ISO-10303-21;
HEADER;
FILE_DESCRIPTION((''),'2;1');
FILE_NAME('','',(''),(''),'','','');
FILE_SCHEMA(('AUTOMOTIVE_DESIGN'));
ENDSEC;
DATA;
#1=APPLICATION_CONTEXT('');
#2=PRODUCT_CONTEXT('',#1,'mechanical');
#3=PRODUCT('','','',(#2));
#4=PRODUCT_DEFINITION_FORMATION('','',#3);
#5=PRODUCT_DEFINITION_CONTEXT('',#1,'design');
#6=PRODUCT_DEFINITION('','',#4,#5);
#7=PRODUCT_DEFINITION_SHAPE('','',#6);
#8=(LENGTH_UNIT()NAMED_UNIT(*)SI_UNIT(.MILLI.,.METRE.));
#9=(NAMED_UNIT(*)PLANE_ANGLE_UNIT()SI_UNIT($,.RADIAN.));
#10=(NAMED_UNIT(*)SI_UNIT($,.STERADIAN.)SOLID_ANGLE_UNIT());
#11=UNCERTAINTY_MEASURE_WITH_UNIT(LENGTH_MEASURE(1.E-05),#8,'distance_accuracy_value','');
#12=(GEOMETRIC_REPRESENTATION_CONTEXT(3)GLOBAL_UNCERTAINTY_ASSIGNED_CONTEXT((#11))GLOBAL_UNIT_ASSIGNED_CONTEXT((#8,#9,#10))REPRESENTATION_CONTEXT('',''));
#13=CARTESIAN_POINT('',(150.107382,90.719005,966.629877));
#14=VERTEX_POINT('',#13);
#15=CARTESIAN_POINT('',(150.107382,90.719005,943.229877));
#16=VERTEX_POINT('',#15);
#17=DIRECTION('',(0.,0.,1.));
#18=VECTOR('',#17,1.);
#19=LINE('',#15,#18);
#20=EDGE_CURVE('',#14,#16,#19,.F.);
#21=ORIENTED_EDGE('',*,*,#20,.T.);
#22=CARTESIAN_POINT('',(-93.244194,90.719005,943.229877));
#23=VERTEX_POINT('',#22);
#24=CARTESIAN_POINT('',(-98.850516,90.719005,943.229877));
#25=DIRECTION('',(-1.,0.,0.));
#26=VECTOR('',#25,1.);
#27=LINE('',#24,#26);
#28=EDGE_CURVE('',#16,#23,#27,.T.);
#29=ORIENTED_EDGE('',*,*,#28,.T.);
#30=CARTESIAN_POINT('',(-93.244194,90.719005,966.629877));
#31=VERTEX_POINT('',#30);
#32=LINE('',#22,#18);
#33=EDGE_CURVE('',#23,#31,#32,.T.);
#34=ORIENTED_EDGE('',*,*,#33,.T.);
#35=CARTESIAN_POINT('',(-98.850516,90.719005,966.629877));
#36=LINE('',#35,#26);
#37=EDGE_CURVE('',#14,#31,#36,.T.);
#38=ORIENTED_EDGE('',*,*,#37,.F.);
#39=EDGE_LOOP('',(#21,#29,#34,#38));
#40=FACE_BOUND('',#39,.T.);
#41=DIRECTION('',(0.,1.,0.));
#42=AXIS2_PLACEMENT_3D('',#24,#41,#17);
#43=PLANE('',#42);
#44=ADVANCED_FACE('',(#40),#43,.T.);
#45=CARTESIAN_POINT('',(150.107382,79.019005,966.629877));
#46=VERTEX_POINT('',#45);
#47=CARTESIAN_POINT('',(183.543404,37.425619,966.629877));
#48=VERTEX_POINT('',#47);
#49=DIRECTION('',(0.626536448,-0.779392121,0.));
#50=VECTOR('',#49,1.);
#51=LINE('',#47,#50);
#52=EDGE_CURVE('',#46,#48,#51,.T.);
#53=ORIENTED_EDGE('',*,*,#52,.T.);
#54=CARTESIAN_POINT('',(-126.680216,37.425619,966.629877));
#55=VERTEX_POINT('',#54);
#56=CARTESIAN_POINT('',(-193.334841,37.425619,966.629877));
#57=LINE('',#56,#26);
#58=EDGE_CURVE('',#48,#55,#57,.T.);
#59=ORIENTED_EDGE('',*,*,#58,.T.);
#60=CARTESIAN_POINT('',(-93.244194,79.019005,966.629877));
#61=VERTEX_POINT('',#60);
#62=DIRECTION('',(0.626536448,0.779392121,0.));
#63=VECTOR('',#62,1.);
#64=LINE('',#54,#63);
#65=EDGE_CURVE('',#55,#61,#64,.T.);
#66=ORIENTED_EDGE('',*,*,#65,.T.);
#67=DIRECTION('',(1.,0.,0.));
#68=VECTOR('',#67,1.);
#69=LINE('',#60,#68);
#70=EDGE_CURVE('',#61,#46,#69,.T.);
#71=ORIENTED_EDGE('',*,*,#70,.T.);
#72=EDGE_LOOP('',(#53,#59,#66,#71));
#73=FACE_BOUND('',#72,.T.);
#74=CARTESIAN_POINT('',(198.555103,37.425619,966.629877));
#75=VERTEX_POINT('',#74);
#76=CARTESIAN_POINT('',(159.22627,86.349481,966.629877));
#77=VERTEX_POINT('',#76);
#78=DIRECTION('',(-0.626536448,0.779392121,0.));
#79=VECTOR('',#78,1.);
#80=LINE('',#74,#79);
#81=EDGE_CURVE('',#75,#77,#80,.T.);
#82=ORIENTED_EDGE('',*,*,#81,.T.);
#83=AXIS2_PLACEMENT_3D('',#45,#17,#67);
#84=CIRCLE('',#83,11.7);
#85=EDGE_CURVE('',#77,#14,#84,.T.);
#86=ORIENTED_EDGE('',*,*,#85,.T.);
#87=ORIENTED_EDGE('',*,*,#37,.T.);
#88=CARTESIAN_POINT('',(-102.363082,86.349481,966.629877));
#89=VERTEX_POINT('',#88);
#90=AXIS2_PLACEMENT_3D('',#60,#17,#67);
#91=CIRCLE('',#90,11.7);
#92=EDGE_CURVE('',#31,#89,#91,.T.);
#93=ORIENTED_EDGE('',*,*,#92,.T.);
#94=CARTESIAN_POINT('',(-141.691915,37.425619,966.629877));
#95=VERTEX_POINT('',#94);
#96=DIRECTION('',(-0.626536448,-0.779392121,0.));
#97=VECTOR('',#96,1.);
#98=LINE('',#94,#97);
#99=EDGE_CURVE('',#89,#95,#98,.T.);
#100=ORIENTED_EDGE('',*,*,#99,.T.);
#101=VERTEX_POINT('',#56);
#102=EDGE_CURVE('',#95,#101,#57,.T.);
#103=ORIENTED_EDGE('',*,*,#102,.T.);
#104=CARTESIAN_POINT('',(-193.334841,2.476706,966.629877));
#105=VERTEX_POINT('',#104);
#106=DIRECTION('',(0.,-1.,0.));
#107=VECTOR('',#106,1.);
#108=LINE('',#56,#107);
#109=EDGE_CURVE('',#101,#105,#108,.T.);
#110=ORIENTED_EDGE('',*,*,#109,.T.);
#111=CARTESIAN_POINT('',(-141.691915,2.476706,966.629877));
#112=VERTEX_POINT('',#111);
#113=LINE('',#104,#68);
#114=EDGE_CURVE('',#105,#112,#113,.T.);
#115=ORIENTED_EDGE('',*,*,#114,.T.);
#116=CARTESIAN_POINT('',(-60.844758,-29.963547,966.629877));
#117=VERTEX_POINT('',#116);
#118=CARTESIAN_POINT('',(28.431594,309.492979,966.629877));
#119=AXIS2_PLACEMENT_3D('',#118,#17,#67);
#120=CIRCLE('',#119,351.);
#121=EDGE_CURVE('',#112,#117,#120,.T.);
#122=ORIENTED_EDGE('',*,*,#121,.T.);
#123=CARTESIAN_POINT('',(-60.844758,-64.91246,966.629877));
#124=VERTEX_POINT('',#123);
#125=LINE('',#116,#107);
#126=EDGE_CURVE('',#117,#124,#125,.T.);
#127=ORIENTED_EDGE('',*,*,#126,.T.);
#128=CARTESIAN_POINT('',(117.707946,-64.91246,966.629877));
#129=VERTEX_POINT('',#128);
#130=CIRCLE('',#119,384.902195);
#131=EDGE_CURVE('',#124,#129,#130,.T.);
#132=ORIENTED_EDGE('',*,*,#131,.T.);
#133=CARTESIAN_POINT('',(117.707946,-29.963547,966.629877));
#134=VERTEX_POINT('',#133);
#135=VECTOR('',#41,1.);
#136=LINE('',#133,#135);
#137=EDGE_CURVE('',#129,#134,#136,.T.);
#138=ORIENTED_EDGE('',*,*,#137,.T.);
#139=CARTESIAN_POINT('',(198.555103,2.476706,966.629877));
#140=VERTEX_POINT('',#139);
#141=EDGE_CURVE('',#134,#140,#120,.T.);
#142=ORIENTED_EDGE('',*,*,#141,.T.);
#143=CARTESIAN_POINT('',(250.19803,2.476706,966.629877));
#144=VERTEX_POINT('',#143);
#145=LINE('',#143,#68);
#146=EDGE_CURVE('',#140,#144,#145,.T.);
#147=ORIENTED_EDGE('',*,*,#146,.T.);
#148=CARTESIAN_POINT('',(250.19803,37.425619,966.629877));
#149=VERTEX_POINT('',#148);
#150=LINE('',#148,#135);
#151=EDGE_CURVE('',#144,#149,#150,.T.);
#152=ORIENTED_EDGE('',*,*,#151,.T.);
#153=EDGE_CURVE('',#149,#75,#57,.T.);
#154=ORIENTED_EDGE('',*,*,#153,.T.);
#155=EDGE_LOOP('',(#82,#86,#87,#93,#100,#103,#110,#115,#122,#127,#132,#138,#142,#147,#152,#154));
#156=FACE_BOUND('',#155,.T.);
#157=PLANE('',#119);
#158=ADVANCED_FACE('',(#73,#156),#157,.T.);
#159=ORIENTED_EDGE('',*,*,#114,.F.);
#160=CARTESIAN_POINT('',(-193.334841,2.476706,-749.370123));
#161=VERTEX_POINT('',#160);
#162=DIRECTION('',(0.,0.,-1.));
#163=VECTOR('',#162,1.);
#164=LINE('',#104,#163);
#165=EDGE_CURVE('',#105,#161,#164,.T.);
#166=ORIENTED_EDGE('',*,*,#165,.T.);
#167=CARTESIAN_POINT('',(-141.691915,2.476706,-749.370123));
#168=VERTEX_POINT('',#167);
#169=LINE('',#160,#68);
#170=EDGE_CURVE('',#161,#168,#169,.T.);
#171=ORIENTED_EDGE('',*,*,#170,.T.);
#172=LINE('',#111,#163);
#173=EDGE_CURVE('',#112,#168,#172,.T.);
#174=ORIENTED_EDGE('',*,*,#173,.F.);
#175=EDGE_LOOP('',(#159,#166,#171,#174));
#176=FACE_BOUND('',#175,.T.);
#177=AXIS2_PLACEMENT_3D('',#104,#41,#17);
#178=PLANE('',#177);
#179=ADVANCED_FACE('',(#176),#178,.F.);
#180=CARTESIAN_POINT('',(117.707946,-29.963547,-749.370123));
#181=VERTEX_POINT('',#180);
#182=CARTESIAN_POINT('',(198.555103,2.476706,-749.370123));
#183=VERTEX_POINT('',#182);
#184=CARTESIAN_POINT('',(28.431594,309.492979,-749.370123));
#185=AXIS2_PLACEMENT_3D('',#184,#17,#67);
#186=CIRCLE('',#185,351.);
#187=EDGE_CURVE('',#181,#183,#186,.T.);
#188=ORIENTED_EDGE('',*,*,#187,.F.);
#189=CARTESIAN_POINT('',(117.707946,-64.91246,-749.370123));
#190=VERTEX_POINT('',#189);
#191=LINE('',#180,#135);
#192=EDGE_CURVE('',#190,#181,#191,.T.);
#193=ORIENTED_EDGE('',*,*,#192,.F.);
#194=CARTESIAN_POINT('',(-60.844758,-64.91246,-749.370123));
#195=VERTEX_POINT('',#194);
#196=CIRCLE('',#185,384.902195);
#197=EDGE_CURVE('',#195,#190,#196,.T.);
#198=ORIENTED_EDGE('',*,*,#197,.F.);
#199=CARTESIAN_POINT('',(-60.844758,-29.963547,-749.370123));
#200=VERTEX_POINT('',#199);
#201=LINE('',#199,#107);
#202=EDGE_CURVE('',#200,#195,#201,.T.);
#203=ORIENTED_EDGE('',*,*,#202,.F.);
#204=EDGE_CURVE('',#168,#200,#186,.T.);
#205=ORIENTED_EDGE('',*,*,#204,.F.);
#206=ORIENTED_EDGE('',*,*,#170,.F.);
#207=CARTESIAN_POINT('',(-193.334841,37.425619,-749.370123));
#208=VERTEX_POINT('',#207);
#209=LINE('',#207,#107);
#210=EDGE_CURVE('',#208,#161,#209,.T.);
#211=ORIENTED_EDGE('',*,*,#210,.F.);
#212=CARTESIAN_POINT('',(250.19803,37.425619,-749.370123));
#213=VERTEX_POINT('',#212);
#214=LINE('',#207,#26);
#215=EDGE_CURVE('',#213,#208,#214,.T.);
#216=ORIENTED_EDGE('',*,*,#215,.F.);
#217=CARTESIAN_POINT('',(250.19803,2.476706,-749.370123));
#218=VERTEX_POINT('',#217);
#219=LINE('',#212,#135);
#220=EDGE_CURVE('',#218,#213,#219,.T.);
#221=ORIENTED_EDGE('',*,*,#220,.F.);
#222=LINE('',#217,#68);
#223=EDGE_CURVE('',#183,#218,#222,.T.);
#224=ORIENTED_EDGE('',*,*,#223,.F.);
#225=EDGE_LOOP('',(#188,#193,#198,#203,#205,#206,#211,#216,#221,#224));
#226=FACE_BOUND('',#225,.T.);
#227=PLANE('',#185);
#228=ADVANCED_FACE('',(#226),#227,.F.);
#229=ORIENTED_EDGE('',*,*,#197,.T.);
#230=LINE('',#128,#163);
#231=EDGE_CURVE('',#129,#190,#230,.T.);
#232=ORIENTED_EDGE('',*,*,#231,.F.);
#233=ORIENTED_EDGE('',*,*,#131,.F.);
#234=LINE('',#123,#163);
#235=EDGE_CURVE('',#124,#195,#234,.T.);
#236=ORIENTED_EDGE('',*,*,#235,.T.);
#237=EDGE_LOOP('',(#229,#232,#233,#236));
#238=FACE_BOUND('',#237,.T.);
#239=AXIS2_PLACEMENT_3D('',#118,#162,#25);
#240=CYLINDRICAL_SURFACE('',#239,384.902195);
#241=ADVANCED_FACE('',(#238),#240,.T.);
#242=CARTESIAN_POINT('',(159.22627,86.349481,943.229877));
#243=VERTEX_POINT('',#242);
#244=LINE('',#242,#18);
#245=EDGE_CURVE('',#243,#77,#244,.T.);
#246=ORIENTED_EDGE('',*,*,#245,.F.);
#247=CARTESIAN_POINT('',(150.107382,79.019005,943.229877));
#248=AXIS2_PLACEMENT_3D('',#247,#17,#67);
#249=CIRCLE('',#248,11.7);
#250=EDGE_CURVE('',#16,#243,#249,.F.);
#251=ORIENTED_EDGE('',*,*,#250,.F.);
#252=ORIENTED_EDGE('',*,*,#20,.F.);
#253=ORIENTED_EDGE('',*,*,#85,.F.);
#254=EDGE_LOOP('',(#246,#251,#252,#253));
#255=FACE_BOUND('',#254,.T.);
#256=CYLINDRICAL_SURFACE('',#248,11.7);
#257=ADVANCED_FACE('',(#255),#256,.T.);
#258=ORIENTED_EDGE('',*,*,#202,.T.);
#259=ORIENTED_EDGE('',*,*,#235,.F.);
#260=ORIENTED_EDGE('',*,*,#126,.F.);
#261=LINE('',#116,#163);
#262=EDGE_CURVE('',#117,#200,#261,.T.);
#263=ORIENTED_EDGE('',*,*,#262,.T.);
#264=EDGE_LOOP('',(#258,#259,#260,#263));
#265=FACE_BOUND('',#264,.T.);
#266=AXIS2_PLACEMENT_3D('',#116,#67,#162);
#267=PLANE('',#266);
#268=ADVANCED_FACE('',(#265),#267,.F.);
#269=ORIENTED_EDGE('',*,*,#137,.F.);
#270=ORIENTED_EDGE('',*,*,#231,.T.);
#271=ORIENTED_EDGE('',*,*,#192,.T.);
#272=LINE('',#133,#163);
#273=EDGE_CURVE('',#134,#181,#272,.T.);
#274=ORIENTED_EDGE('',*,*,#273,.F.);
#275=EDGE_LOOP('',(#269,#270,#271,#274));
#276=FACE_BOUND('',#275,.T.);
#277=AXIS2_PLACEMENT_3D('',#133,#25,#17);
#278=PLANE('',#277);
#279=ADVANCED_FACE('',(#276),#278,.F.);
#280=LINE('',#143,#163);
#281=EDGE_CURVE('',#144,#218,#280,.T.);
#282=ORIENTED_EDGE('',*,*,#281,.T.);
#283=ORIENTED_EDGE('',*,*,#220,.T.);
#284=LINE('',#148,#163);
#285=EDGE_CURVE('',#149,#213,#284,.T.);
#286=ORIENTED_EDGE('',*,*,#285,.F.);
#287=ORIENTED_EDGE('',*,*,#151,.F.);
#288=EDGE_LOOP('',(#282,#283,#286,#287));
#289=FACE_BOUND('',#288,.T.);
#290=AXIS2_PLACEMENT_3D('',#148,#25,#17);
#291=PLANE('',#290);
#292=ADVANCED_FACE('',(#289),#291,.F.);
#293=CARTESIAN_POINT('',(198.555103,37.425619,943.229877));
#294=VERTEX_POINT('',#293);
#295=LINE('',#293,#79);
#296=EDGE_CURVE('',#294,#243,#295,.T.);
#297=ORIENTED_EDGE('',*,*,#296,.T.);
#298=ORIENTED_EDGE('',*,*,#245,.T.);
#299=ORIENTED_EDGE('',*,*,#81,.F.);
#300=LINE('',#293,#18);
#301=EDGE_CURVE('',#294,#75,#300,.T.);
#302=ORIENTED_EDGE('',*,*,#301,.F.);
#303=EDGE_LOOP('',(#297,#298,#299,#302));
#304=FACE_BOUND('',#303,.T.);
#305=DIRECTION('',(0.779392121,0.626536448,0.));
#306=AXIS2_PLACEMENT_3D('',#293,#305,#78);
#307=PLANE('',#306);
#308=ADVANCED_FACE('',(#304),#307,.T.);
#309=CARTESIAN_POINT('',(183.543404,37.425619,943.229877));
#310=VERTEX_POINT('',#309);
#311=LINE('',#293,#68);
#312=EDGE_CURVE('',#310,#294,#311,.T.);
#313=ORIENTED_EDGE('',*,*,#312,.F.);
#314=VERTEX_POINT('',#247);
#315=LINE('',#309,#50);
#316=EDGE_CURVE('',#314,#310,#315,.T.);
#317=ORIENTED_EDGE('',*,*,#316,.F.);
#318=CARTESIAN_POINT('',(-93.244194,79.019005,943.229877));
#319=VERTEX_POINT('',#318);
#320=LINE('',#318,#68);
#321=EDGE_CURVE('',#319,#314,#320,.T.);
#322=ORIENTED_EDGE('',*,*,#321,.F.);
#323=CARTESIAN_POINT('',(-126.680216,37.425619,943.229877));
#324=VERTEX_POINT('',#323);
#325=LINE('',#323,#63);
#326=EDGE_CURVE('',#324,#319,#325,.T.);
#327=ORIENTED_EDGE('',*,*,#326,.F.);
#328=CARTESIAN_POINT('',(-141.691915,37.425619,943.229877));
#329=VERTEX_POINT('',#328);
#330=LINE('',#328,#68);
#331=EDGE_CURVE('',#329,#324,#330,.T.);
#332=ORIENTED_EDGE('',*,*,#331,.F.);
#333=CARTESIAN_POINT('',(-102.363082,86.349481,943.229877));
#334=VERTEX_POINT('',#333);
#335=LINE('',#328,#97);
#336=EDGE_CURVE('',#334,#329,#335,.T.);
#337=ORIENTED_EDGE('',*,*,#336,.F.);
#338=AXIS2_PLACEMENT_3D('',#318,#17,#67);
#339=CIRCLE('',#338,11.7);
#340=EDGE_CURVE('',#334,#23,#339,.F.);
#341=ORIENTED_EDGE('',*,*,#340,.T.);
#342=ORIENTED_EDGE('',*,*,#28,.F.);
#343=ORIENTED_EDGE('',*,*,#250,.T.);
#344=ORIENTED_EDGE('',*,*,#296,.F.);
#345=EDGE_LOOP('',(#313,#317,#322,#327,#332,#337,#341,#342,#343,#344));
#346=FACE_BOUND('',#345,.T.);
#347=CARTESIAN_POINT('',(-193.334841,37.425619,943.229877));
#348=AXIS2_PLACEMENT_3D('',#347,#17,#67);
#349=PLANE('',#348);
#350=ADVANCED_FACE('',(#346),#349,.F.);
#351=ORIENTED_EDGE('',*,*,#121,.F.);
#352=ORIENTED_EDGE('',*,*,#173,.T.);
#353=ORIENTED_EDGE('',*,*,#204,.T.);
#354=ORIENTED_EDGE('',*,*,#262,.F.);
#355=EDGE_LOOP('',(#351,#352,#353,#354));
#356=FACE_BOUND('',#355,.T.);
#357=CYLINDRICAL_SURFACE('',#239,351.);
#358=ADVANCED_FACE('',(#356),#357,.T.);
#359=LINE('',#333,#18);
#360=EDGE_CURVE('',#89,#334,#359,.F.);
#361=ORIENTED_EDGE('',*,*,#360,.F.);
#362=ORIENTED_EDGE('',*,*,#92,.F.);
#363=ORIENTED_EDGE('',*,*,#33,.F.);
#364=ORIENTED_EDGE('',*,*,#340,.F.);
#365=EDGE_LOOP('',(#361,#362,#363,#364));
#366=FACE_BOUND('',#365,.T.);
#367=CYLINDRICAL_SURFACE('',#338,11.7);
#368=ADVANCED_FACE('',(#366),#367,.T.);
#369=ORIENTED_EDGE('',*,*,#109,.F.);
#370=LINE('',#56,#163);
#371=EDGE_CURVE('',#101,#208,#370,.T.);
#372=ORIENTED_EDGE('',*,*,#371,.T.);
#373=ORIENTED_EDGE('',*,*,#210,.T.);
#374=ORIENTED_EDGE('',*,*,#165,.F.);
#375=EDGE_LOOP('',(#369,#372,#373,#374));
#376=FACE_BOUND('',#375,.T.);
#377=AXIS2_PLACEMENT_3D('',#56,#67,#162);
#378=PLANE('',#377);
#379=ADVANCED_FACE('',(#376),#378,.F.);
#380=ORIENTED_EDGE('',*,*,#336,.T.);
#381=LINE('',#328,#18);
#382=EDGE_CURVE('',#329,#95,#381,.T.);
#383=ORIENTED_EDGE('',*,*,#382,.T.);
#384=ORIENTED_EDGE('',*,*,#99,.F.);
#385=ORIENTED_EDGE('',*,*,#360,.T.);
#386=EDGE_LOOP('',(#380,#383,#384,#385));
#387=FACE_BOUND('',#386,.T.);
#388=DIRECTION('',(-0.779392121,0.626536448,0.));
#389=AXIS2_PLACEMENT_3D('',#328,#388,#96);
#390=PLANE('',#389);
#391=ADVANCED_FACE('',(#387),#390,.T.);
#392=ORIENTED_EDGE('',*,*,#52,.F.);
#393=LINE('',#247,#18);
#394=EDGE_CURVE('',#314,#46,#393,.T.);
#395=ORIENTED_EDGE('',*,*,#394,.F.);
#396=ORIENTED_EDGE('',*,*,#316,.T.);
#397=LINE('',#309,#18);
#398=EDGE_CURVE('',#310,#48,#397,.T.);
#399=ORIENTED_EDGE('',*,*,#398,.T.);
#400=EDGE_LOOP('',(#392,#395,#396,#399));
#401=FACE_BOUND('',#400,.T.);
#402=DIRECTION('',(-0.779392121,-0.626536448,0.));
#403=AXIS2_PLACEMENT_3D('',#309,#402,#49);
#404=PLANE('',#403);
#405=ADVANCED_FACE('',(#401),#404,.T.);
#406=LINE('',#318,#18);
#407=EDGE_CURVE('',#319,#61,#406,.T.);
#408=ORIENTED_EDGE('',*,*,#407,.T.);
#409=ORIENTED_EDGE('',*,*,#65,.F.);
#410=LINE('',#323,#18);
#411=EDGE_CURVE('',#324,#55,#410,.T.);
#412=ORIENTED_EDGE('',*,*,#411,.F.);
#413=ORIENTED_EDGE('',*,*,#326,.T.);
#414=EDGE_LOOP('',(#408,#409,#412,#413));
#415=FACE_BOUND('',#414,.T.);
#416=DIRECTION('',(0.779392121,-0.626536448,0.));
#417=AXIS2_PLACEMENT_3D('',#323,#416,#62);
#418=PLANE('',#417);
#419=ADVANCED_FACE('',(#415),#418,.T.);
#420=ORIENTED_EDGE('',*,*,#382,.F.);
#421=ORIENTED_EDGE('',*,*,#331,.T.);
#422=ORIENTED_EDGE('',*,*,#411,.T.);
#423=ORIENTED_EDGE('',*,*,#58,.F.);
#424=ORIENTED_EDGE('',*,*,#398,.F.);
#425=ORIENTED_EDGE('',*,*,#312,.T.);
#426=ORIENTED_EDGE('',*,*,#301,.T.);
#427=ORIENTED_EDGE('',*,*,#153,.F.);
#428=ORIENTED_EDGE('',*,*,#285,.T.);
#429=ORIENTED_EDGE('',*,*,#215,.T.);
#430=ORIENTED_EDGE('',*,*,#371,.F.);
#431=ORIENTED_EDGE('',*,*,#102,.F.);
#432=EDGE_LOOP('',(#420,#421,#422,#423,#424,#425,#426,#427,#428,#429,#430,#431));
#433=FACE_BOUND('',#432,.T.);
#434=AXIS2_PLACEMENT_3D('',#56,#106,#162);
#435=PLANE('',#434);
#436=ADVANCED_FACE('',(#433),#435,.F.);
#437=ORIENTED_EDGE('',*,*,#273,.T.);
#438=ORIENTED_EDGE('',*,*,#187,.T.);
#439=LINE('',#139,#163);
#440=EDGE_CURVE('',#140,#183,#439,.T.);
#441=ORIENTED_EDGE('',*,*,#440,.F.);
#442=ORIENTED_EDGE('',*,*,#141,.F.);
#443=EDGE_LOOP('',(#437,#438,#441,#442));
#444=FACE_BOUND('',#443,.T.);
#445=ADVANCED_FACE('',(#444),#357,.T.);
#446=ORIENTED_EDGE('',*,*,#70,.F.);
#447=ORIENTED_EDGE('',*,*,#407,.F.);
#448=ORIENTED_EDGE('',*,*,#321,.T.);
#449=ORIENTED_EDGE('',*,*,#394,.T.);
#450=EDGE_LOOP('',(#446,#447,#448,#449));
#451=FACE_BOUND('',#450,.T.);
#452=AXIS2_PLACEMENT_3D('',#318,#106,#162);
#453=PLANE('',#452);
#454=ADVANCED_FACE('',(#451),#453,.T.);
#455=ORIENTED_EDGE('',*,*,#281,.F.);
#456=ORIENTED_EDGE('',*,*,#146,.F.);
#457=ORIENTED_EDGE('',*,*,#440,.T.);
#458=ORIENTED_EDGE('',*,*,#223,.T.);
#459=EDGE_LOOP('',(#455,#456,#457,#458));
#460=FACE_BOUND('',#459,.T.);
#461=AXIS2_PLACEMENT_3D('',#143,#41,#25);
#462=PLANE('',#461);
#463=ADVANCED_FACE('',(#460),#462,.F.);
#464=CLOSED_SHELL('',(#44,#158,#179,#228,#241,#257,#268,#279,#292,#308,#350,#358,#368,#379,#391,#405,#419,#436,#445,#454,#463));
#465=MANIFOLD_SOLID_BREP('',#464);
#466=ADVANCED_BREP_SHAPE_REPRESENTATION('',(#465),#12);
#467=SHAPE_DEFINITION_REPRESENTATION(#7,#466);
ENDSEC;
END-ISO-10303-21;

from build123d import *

# Parameters (mm, degrees)
BOSS_EXTRUDE1_DEPTH = 220
BOSS_EXTRUDE2_DEPTH = 3
FILLET1_R           = 1.5
SCALE1_SCALE        = 15.6
SCALE2_SCALE        = 0.5


with BuildPart() as part:
    # Sketch1 → Boss-Extrude1 (new body)
    with BuildSketch(Plane.XY):
        with BuildLine():
            Line((0, 0), (0, -4.480629882))
            Line((0, -4.480629882), (6.620887994, -4.480629882))
            ThreePointArc((6.620887994, -4.480629882), (11.673872347, -6.882935474), (16.9859081, -8.639636697))
            Line((16.9859081, -8.639636697), (16.9859081, -13.120266579))
            ThreePointArc((16.9859081, -13.120266579), (28.43159427, -14.466004542), (39.877280439, -13.120266579))
            Line((39.877280439, -13.120266579), (39.877280439, -8.639636697))
            ThreePointArc((39.877280439, -8.639636697), (45.189316192, -6.882935474), (50.242300545, -4.480629882))
            Line((50.242300545, -4.480629882), (56.863188539, -4.480629882))
            Line((56.863188539, -4.480629882), (56.863188539, 0))
            Line((56.863188539, 0), (0, 0))
        make_face()
    extrude(amount=BOSS_EXTRUDE1_DEPTH)

    # Sketch2 → Boss-Extrude2 (add)
    with BuildSketch(Plane.XY.offset(220)):
        Polygon((6.620887994, 0), (12.113374984, 6.832485321), (44.749813555, 6.832485321), (50.242300545, 0), (48.317723739, 0), (44.031054266, 5.332485321), (12.832134273, 5.332485321), (8.545464801, 0), align=None)
    extrude(amount=-BOSS_EXTRUDE2_DEPTH)

    # Fillet1
    fillet1_edges = [part.edges().sort_by_distance(p)[0] for p in [
        (12.113374984, 6.832485321, 218.5),
        (44.749813555, 6.832485321, 218.5),
    ]]
    fillet(fillet1_edges, radius=FILLET1_R)


with BuildPart() as part_1:
    # Scale1: scaled about (28.43159427, -5.503767505, 110.201488626)
    add(part.part.scale(SCALE1_SCALE).moved(Location((-415.101276342, 80.355005573, -1608.94173394))))


with BuildPart() as part_2:
    # Scale2: scaled about (28.431594264, -5.503767501, 110.201488629)
    add(part_1.part.scale(SCALE2_SCALE).moved(Location((14.215797132, -2.75188375, 55.100744314))))


solid = part_2.part
